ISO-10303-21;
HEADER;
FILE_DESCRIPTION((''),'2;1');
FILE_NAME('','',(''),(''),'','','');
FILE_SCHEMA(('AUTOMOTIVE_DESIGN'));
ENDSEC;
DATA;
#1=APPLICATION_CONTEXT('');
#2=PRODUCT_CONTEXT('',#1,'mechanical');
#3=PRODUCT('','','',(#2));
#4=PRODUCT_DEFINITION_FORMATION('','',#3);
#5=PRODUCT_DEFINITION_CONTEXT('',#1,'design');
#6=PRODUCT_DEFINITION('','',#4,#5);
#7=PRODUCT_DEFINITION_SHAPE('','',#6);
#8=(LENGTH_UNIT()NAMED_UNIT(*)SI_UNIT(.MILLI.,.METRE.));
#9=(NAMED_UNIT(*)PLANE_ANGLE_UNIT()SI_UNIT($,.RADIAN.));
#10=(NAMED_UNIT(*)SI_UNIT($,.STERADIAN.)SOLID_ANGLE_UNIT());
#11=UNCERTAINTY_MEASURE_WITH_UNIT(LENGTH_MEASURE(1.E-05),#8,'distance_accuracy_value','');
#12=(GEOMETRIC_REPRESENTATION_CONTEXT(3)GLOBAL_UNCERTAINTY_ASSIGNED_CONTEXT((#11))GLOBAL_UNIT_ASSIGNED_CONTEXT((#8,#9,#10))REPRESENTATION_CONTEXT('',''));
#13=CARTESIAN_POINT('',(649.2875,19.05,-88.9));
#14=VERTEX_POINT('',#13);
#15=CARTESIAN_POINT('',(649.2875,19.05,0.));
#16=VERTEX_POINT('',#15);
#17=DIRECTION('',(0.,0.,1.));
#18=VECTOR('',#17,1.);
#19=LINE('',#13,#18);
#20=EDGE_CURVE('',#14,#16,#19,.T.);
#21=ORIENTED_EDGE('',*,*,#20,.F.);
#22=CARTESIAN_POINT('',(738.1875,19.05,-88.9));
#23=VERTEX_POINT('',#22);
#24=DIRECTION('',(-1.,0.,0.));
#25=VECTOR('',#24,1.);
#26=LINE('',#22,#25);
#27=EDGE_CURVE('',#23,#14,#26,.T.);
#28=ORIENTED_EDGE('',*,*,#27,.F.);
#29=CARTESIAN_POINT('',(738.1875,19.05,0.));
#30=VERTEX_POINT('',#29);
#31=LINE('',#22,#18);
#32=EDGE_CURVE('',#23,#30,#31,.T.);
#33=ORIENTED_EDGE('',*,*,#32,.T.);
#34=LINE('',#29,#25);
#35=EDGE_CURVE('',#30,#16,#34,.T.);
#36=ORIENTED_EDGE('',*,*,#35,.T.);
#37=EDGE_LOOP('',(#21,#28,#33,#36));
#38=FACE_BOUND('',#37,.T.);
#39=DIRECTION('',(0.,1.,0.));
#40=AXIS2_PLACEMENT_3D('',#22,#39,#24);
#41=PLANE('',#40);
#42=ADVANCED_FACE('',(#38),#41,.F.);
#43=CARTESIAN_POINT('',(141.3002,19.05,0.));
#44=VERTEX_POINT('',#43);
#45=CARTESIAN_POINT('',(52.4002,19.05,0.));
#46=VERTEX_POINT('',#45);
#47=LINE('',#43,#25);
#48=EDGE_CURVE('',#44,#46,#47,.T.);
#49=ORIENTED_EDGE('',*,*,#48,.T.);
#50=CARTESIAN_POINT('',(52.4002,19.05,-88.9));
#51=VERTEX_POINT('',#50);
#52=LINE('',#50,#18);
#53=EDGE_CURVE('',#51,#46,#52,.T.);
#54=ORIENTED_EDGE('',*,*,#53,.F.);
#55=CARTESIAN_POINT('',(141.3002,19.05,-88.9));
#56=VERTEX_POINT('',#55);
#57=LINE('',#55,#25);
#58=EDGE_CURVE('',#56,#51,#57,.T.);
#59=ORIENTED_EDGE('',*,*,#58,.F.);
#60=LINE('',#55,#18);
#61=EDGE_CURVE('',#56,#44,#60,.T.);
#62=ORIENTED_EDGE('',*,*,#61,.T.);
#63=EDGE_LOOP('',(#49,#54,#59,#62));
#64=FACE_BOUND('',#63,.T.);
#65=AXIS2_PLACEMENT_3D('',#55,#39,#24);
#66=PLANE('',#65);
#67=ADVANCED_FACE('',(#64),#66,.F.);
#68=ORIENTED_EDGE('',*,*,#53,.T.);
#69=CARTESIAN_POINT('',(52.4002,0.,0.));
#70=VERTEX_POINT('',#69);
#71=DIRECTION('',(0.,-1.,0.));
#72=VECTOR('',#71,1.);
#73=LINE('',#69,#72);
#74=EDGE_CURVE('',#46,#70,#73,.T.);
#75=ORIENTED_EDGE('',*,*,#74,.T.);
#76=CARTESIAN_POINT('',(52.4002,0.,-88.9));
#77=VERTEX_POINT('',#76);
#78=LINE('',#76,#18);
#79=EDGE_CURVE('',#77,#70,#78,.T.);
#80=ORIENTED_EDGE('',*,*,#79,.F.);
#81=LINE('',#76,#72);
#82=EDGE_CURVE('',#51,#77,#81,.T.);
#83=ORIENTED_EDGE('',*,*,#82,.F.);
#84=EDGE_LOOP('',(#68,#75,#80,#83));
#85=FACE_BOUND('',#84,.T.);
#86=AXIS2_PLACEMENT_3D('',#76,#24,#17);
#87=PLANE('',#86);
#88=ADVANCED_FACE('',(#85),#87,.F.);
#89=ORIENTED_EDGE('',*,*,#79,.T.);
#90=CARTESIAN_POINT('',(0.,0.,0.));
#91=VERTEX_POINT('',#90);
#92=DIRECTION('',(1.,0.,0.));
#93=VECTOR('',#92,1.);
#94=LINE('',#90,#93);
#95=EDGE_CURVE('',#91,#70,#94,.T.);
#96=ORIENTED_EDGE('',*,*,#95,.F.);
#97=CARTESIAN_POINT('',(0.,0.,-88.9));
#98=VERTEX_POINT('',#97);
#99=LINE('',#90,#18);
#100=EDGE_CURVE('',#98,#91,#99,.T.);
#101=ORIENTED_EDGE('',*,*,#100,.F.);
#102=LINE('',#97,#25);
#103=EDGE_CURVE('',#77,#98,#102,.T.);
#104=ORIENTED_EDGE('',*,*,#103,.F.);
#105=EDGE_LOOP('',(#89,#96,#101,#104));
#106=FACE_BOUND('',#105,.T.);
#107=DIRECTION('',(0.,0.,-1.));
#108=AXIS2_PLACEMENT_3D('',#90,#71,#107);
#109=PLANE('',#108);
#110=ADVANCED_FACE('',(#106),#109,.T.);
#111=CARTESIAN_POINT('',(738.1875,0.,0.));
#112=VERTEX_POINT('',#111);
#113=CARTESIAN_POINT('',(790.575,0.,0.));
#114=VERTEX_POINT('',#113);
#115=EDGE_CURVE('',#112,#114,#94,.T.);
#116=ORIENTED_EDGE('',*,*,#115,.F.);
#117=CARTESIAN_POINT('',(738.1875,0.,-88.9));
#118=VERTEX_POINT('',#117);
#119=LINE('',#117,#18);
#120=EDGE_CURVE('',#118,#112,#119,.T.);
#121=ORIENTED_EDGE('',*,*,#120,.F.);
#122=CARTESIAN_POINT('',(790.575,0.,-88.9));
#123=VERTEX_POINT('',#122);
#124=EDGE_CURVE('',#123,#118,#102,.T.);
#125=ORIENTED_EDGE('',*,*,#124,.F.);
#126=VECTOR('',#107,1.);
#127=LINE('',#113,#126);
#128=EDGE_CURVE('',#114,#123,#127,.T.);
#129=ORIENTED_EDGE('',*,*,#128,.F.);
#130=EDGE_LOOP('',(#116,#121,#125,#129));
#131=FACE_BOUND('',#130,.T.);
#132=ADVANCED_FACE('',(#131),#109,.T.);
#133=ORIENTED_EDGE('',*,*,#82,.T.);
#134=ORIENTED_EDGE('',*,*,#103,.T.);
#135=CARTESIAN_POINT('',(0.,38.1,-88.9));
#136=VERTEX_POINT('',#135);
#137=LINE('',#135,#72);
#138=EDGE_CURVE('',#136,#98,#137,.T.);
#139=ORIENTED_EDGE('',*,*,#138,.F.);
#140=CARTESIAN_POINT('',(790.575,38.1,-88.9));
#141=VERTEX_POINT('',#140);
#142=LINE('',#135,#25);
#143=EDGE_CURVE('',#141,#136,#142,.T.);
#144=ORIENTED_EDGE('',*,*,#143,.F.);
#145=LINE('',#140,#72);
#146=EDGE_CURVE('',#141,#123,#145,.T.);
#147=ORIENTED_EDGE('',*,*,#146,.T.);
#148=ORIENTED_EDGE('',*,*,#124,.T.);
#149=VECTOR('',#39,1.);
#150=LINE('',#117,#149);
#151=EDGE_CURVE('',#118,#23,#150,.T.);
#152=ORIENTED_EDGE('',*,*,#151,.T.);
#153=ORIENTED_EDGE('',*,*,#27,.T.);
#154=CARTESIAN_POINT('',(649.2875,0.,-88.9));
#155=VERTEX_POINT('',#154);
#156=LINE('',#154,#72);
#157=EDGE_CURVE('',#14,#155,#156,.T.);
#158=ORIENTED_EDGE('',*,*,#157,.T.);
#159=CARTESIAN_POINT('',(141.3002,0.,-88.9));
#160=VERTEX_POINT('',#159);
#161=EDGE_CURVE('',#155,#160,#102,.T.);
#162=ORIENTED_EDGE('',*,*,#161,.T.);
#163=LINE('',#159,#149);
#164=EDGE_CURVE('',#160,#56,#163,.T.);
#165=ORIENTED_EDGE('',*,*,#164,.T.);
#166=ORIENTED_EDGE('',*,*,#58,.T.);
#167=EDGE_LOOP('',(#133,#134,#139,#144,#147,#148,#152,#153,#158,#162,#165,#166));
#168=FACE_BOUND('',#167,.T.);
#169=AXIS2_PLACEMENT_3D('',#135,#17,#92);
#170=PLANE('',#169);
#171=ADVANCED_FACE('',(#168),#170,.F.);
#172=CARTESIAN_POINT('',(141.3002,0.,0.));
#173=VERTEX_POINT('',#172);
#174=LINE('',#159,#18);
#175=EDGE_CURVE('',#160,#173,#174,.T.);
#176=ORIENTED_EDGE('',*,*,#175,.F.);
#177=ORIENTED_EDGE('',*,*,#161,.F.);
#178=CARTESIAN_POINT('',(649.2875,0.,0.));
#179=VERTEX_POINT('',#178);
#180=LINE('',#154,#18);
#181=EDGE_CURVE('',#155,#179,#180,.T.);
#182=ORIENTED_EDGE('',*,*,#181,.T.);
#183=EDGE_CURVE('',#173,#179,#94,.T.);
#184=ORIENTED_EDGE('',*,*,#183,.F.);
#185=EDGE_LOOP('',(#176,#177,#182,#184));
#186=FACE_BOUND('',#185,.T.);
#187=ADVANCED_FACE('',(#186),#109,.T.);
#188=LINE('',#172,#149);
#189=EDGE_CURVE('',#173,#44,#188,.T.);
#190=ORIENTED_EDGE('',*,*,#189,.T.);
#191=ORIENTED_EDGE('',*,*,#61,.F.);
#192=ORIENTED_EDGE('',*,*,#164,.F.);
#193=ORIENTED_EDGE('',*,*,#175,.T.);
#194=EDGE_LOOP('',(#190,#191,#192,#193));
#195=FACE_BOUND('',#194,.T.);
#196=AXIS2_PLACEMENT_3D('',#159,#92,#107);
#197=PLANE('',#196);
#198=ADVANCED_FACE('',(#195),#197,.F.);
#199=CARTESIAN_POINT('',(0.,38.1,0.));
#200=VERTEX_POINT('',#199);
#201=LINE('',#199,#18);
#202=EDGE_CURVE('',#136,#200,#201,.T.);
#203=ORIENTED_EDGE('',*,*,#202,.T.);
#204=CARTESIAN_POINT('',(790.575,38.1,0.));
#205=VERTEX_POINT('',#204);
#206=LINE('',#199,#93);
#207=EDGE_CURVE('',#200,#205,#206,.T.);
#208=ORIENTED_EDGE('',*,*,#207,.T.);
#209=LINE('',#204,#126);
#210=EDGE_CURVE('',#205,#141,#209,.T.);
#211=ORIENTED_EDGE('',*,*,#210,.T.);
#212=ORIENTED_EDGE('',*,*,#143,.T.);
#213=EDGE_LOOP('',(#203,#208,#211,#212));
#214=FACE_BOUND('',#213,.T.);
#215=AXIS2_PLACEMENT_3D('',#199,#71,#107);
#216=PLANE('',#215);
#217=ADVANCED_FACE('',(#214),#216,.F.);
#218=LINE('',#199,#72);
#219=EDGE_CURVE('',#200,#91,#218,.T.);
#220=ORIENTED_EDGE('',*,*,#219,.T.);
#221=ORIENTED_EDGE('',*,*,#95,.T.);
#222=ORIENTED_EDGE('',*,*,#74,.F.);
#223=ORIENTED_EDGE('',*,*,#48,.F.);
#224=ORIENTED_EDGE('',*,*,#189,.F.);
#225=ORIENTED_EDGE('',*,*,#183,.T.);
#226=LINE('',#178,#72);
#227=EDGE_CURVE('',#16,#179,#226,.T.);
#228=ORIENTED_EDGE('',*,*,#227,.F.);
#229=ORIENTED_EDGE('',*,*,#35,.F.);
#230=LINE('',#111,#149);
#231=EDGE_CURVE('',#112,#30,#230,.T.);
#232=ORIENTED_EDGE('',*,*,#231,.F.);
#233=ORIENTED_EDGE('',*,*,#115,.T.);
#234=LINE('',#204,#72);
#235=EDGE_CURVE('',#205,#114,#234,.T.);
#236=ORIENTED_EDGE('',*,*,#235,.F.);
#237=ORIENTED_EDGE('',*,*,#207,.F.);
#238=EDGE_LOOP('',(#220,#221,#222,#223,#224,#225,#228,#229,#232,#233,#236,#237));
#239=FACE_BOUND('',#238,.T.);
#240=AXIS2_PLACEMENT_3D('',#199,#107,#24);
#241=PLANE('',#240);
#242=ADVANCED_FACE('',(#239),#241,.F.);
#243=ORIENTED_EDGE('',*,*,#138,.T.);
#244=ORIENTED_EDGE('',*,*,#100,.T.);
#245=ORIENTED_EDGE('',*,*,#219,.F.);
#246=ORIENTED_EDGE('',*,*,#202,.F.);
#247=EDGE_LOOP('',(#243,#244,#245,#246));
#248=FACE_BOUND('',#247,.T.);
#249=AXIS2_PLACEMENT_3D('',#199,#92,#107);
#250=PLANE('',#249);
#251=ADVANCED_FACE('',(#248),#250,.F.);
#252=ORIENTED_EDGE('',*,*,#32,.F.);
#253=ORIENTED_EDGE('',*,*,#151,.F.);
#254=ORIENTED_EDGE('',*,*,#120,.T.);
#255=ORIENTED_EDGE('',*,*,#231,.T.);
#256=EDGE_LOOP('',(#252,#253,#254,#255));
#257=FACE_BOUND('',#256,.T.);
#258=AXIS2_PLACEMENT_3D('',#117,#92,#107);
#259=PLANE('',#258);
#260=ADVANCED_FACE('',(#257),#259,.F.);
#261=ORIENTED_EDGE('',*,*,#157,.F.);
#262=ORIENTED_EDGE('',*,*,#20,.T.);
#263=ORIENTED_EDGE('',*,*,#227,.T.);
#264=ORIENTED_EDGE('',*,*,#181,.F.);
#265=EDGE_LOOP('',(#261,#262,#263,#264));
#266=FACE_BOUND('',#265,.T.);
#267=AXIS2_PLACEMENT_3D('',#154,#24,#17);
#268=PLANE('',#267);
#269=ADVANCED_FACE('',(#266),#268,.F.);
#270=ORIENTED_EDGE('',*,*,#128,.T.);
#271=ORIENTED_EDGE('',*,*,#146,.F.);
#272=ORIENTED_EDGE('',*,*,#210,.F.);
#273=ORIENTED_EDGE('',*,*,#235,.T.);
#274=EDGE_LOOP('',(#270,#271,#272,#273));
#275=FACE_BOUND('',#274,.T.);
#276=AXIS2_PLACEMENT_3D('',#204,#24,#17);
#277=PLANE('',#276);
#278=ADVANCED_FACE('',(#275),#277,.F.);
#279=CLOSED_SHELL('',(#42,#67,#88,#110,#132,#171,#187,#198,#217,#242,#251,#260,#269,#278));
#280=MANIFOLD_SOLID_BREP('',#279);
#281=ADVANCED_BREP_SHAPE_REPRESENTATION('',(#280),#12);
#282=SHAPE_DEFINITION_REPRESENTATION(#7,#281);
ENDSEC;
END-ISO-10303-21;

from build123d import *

# Parameters (mm, degrees)
SKETCH1_W           = 790.575
SKETCH1_H           = 88.9
BOSS_EXTRUDE1_DEPTH = 38.1
SKETCH2_W           = 88.9
SKETCH2_H           = 19.05
CUT_EXTRUDE1_DEPTH  = 89.9


with BuildPart() as part:
    # Sketch1 → Boss-Extrude1 (new body)
    with BuildSketch(Plane(origin=(0, 0, 0), x_dir=(1, 0, 0), z_dir=(0, 1, 0))):
        with Locations((395.2875, 44.45)):
            Rectangle(SKETCH1_W, SKETCH1_H)
    extrude(amount=BOSS_EXTRUDE1_DEPTH)

    # Sketch2 → Cut-Extrude1 (cut, through all)
    with BuildSketch(Plane.XY):
        with Locations((693.7375, 9.525)):
            Rectangle(SKETCH2_W, SKETCH2_H)
        with Locations((96.8502, 9.525)):
            Rectangle(SKETCH2_W, SKETCH2_H)
    extrude(amount=-CUT_EXTRUDE1_DEPTH, mode=Mode.SUBTRACT)


solid = part.part
